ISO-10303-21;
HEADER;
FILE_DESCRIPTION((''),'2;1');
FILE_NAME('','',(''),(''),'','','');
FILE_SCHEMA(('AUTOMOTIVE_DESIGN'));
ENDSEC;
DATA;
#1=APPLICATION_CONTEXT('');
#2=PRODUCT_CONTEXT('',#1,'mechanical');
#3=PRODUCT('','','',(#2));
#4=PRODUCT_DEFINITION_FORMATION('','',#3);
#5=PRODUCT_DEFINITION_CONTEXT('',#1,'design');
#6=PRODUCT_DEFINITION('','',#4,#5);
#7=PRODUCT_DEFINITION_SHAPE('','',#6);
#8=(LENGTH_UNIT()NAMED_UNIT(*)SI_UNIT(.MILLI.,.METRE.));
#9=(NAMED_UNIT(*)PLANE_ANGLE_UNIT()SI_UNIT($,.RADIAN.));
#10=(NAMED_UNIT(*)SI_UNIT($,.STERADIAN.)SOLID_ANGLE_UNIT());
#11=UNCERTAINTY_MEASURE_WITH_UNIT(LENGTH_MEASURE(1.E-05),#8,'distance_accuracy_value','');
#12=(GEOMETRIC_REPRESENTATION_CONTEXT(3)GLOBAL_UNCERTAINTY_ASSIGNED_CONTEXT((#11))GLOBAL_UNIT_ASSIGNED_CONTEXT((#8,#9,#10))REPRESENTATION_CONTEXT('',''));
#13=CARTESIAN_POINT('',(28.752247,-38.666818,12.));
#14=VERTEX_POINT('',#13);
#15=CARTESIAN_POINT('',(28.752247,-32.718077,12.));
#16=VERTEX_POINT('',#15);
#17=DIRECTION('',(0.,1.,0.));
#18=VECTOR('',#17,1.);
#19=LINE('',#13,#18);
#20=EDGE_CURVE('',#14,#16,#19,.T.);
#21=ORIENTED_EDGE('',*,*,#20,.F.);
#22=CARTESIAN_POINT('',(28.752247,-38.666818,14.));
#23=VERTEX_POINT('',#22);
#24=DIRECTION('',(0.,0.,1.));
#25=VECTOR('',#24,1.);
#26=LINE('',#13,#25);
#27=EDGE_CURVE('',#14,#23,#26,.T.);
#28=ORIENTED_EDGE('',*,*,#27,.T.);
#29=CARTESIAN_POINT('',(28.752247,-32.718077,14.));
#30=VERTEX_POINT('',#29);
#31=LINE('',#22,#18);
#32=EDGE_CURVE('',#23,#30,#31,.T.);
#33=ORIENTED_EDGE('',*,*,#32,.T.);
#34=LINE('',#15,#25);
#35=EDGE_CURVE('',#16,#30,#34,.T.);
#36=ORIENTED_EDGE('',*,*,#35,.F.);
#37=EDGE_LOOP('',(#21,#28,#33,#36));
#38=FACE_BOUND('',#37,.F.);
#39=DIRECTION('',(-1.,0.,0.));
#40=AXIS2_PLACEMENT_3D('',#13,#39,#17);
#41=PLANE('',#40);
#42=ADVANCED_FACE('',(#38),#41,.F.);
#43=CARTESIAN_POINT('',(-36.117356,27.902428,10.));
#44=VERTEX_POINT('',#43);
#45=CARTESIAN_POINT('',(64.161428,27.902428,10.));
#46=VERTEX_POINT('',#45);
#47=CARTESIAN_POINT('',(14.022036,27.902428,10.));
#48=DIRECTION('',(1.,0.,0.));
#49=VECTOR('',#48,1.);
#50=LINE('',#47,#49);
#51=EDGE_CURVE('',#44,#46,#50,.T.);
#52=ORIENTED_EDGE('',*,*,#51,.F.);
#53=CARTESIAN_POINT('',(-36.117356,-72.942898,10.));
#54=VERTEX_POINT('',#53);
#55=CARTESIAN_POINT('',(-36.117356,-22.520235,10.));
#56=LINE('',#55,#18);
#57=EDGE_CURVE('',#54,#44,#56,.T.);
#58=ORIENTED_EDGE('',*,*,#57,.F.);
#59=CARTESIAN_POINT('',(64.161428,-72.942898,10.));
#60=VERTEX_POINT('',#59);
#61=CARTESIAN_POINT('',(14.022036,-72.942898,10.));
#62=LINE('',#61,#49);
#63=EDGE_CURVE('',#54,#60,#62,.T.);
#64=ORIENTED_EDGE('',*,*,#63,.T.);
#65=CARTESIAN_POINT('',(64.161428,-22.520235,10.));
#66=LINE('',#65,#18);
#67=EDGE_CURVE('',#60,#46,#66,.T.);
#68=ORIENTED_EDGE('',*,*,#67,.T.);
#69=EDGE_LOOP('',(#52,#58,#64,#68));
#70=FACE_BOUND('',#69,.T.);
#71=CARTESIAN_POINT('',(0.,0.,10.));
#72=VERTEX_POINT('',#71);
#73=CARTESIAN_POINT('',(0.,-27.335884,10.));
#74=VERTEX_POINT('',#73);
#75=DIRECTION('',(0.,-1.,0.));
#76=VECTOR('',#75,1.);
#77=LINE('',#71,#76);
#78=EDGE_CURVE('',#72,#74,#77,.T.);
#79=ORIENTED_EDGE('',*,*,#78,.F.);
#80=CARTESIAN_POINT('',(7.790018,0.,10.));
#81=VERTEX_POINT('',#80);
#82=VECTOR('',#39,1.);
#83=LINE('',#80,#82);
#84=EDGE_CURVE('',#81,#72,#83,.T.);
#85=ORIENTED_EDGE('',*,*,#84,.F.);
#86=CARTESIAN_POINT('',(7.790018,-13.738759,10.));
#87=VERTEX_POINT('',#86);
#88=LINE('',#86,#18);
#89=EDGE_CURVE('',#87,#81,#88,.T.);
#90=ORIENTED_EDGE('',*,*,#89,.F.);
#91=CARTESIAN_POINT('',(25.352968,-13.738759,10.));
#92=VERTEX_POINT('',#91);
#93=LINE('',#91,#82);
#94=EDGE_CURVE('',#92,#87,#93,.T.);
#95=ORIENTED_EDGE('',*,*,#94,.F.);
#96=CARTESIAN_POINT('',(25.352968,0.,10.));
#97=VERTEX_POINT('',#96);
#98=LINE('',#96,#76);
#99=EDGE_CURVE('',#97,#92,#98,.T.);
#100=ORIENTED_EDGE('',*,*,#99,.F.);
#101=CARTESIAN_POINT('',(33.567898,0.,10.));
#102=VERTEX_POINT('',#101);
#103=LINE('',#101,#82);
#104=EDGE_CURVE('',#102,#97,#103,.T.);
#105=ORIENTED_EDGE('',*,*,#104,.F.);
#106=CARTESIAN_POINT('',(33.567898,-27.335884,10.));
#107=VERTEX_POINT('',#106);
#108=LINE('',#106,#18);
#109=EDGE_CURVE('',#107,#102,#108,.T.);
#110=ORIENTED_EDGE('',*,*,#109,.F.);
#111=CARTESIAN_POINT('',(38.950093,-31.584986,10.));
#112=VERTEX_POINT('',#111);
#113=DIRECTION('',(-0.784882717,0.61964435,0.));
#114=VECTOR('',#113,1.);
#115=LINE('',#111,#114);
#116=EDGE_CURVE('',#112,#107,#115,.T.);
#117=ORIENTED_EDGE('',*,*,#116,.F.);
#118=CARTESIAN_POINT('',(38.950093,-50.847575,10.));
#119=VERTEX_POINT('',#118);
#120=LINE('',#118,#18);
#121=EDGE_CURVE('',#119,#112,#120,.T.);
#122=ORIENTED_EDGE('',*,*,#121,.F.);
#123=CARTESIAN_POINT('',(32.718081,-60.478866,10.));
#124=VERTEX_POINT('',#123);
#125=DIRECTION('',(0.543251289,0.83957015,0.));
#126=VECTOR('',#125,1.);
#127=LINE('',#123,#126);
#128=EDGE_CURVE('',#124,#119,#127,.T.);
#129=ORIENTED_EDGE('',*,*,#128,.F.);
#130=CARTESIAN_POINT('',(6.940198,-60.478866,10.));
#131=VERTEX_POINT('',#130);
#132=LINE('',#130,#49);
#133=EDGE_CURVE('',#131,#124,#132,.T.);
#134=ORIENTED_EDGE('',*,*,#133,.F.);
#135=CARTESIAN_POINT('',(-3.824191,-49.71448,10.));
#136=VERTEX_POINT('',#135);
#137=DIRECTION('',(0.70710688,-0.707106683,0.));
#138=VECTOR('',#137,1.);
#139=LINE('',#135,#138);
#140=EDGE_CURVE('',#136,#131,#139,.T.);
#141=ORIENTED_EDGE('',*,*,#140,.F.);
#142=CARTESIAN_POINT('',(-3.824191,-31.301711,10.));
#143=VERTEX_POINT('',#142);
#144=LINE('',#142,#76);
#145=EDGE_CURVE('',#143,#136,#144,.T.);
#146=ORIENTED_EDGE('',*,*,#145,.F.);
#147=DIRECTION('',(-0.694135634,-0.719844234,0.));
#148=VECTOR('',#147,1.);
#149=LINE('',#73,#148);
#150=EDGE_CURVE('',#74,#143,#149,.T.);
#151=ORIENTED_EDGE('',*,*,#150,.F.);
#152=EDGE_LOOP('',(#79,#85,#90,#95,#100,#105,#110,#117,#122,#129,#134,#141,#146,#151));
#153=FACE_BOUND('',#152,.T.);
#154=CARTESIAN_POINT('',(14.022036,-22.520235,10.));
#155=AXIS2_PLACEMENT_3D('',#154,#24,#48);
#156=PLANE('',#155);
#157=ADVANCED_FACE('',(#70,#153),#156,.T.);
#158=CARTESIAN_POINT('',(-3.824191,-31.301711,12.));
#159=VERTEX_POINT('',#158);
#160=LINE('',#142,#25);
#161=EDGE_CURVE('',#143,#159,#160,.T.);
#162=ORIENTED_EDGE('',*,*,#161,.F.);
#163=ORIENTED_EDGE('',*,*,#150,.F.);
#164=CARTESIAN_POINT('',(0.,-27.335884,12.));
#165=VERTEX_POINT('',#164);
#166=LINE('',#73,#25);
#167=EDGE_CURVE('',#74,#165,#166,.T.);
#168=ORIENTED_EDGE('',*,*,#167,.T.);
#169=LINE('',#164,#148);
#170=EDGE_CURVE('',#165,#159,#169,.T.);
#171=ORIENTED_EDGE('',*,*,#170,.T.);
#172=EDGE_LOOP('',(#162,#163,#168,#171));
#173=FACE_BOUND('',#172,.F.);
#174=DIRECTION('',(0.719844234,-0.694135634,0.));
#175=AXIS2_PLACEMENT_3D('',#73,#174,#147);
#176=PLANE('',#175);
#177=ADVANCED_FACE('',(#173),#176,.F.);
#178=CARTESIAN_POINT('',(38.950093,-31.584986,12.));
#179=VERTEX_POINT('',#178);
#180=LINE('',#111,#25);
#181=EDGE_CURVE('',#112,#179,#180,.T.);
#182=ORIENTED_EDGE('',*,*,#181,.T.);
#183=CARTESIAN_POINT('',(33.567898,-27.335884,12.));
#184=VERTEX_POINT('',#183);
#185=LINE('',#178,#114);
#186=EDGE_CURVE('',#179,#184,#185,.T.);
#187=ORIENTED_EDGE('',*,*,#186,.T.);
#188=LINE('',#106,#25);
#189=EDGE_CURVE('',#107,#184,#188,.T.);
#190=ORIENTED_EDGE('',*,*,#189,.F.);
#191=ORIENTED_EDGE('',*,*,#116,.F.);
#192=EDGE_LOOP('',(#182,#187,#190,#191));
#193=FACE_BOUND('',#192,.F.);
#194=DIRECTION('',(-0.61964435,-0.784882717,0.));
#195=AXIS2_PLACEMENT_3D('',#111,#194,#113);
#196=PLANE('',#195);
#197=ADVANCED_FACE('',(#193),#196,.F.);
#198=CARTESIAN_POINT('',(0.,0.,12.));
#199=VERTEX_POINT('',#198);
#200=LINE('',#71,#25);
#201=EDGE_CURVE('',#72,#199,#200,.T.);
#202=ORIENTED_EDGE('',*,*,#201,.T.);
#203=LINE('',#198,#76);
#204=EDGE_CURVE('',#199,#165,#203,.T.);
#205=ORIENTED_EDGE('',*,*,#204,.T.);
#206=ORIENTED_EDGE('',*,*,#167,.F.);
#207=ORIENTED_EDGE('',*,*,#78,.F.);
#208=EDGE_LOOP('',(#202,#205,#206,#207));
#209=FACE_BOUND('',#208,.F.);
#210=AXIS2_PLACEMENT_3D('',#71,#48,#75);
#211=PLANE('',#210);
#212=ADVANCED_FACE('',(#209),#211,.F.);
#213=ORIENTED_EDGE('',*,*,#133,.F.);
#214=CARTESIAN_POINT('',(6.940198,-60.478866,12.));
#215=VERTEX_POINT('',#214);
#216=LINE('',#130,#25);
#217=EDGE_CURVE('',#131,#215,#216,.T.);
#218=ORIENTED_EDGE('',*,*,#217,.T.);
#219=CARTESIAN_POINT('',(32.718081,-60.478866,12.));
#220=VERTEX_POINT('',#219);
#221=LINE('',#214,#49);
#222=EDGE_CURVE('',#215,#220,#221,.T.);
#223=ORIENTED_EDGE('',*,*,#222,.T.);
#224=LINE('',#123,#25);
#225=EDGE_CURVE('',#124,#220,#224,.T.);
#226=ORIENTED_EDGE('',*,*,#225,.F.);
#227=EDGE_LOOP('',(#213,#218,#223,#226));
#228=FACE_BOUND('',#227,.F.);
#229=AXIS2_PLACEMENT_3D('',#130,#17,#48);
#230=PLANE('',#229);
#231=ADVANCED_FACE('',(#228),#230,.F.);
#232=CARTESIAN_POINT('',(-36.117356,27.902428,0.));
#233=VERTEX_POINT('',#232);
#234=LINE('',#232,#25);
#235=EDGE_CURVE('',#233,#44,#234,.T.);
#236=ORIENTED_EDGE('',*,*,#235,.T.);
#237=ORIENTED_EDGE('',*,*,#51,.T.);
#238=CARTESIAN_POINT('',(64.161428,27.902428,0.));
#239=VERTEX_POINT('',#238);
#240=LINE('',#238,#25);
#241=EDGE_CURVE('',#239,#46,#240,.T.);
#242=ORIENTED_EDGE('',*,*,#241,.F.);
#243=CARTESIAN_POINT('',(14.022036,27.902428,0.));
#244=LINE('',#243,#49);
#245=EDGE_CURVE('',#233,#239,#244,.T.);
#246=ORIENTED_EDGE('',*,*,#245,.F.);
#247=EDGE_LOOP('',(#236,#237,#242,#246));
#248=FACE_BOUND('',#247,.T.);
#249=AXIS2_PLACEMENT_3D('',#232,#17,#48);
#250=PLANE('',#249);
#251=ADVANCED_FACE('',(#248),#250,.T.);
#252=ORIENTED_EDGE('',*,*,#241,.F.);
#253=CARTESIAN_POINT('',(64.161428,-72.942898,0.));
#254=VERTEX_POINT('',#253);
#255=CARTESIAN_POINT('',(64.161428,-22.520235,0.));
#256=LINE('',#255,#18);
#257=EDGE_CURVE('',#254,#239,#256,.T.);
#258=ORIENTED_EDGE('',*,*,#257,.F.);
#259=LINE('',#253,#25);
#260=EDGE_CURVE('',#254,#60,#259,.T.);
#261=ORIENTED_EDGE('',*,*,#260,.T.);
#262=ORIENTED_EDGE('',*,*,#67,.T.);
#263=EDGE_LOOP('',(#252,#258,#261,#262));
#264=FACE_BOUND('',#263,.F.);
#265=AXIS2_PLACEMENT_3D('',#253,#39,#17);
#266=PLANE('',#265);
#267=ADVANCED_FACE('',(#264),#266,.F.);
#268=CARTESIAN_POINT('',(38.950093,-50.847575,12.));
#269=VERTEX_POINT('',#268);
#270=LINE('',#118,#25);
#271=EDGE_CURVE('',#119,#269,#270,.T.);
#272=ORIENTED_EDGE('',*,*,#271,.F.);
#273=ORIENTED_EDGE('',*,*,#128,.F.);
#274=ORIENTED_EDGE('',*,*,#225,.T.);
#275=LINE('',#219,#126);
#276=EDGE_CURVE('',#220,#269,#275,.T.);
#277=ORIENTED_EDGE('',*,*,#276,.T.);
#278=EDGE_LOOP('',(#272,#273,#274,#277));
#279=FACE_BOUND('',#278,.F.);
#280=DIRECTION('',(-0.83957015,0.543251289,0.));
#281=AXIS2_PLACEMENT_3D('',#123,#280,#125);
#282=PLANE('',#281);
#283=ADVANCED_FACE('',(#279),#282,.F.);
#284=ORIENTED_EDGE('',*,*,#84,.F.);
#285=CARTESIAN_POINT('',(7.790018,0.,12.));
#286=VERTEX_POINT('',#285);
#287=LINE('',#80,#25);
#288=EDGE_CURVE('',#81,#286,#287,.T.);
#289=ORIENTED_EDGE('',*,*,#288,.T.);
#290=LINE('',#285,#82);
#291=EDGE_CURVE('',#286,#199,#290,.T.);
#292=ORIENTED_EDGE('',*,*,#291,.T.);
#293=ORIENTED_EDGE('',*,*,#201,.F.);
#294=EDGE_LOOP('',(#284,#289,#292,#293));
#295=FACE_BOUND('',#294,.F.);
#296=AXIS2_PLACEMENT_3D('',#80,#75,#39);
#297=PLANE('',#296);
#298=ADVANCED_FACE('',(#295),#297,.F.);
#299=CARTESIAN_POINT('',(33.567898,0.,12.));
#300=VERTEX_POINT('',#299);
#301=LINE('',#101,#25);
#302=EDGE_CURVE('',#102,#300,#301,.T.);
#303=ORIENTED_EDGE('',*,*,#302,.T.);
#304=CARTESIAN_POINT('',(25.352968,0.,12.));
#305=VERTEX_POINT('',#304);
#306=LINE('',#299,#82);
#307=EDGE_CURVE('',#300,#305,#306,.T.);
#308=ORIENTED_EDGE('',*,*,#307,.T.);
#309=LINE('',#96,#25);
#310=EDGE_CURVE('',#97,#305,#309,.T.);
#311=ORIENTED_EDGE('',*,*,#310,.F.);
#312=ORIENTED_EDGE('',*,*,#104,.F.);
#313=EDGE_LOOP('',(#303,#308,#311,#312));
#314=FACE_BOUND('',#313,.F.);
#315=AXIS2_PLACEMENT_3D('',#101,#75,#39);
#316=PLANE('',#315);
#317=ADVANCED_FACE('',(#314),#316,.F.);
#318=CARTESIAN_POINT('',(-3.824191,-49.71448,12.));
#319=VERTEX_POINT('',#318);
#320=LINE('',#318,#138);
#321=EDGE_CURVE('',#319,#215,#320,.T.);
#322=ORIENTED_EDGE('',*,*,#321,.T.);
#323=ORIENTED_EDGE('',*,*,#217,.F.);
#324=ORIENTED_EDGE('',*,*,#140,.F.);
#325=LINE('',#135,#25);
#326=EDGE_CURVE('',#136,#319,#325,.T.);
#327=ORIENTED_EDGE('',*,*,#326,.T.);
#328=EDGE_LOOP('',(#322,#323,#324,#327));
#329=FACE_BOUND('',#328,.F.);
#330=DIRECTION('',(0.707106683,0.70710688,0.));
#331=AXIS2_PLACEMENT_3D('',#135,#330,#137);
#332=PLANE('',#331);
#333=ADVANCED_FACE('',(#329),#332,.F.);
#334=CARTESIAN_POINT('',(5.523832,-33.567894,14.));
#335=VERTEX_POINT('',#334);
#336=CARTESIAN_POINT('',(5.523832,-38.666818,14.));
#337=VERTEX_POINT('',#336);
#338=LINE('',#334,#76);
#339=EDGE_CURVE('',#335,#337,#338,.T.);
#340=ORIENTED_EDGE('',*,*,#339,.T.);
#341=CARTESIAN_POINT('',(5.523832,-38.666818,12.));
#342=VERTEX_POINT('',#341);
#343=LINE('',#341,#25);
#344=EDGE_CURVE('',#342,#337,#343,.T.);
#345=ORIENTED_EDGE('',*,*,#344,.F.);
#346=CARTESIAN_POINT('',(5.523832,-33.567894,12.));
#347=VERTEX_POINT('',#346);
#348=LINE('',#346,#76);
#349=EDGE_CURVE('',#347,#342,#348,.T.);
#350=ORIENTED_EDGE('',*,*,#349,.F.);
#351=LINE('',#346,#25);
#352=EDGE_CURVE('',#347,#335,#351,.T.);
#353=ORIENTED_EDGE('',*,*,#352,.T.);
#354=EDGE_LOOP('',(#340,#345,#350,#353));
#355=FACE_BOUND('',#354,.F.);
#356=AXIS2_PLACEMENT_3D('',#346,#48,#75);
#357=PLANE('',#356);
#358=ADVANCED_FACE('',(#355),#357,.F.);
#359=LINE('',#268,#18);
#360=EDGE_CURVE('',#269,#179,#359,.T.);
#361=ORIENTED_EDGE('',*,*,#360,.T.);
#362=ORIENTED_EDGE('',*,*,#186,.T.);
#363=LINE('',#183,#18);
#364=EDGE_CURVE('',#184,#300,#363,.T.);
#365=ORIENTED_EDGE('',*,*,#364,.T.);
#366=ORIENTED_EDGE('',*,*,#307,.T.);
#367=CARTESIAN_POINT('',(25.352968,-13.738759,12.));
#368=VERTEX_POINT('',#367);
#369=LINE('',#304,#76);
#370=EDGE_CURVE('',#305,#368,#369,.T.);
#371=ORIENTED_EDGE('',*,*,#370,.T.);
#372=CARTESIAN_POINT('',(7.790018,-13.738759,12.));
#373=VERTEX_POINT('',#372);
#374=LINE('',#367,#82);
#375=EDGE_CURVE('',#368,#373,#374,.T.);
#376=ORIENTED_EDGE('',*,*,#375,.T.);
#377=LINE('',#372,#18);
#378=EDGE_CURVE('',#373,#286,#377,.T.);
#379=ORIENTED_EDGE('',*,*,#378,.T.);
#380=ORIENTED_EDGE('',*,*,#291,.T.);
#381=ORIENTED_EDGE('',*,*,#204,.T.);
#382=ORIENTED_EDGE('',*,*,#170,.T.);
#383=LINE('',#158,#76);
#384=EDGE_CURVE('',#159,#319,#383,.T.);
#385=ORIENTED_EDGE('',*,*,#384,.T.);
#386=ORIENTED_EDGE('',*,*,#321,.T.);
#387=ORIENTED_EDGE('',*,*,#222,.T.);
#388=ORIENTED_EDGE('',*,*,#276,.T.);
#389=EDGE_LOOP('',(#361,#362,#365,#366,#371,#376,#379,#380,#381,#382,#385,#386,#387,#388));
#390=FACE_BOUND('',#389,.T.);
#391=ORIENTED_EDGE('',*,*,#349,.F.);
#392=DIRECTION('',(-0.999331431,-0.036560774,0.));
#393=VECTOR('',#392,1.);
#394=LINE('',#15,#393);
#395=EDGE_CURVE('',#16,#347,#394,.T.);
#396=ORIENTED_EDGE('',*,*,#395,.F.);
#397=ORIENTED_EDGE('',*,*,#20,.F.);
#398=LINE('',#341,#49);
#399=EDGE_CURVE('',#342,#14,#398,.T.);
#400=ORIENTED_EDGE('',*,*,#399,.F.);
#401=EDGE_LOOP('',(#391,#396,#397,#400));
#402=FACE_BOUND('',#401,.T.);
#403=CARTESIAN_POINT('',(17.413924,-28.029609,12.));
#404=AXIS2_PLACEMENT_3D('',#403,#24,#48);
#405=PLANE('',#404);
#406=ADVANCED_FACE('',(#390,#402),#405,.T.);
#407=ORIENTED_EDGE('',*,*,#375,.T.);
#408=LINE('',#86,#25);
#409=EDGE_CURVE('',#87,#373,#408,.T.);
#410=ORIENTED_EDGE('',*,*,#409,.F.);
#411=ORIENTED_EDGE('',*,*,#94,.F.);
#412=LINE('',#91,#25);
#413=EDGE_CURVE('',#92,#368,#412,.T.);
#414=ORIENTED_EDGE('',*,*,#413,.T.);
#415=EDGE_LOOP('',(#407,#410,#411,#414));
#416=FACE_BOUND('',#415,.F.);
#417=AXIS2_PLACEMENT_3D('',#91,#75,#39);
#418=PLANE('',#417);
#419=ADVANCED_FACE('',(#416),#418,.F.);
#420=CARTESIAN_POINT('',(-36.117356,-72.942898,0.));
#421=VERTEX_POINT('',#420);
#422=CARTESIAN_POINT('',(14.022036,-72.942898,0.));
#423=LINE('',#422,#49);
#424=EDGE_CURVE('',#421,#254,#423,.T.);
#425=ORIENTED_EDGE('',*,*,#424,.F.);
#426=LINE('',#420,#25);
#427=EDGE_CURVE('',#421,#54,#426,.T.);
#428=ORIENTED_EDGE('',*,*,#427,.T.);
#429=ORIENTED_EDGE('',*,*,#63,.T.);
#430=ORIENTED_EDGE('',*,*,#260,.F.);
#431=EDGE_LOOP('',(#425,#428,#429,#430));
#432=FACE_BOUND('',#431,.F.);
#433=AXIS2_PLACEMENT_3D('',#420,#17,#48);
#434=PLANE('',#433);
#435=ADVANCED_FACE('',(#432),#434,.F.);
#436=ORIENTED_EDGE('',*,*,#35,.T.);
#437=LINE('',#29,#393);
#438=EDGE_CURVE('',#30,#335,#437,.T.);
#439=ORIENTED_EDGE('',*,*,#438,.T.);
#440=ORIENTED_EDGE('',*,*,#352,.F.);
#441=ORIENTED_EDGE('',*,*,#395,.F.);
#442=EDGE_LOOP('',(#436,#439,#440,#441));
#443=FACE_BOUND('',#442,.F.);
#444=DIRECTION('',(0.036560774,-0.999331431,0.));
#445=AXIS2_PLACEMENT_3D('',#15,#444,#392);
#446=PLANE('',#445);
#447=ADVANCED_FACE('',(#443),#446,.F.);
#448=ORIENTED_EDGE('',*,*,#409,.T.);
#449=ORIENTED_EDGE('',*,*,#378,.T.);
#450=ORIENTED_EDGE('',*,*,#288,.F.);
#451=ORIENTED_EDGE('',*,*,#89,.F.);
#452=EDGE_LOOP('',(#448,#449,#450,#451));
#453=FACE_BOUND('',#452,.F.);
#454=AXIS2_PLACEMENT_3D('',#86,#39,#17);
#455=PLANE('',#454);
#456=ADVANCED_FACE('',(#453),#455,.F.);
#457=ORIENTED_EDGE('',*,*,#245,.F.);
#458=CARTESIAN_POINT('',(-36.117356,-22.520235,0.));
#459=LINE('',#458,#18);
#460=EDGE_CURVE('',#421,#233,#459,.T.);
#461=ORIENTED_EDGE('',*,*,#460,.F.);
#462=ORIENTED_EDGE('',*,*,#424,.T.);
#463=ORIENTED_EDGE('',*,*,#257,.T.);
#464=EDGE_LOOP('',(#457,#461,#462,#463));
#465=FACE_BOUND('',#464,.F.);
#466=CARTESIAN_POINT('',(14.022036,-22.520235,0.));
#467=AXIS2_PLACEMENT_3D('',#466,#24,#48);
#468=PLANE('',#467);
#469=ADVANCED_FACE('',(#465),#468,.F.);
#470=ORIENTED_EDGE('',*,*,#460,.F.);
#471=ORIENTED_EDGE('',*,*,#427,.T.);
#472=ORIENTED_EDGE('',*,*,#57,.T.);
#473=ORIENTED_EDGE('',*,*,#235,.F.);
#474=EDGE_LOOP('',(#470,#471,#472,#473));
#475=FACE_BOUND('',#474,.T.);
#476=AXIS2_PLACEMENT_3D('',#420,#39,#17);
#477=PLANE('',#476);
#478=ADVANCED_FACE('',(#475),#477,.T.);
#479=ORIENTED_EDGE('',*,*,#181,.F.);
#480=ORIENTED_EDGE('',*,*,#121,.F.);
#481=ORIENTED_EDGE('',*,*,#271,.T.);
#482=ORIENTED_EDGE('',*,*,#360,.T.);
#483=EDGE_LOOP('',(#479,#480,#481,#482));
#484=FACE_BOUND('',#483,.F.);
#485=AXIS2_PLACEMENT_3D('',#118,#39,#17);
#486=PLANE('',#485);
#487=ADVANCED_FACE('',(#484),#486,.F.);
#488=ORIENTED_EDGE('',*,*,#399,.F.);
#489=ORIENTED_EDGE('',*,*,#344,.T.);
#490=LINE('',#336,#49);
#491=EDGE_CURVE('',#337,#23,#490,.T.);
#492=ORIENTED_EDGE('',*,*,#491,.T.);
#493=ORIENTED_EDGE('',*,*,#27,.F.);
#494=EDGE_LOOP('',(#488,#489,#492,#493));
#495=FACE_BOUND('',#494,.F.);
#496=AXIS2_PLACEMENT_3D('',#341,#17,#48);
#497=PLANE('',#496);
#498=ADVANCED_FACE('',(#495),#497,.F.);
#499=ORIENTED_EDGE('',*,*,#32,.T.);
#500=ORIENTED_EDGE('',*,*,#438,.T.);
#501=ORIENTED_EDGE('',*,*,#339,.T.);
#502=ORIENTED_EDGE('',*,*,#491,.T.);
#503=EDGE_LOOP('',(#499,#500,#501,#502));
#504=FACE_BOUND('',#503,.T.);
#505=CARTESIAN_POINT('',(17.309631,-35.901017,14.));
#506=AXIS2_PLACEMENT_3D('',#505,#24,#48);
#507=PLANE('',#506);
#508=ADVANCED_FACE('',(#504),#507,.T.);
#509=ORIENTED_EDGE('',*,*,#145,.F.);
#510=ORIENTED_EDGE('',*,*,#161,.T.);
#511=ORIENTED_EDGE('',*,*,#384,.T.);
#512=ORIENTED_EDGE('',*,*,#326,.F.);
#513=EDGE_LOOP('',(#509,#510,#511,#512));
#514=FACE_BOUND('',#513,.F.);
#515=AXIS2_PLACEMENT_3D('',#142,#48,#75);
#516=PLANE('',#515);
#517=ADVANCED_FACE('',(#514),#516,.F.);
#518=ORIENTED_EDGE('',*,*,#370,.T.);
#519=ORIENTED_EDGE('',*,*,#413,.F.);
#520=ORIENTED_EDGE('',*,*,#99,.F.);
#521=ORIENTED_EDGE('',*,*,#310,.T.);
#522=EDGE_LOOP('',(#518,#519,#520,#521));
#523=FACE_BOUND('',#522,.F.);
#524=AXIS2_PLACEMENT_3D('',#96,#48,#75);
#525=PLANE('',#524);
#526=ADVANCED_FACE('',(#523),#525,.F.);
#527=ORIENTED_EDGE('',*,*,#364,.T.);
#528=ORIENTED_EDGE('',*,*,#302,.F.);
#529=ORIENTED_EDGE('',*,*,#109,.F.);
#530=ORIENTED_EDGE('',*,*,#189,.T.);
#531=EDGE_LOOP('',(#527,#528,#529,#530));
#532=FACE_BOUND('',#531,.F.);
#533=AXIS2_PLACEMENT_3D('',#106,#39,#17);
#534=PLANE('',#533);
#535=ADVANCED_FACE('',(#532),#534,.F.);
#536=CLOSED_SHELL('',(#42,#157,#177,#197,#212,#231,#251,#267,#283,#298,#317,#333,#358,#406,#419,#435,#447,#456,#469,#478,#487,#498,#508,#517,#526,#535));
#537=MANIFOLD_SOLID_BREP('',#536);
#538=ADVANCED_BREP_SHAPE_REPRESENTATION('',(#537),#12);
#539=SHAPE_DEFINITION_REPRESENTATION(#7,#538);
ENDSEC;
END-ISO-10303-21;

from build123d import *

# Parameters (mm, degrees)
F0_W     = 100.278783
F0_H     = 100.845326
F1_DEPTH = 10
F3_DEPTH = 2
F4_W     = 20.395683
F4_H     = 3.682554
F5_DEPTH = 2
F7_DEPTH = 2


with BuildPart() as f1:
    # F0 (on Top) → F1 (new body)
    with BuildSketch(Plane.XY):
        with Locations((14.022036, -22.520235)):
            Rectangle(F0_W, F0_H)
    extrude(amount=F1_DEPTH)

    # F2 (on face) → F3 (join)
    with BuildSketch(Plane.XY.offset(10)):
        Polygon((7.790018, 0), (0, 0), (0, -27.335884), (-3.824191, -31.301711), (-3.824191, -49.71448), (6.940198, -60.478866), (32.718081, -60.478866), (38.950093, -50.847575), (38.950093, -31.584986), (33.567898, -27.335884), (33.567898, 0), (25.352968, 0), (25.352968, -13.738759), (7.790018, -13.738759), align=None)
    extrude(amount=F3_DEPTH)

    # F4 (on face) → F5 (join)
    with BuildSketch(Plane.XY.offset(12)):
        with Locations((17.987859, -37.675362)):
            Rectangle(F4_W, F4_H)
    extrude(amount=-F5_DEPTH)

    # F6 (on face) → F7 (join)
    with BuildSketch(Plane.XY.offset(12)):
        Polygon((28.752247, -32.718077), (5.523832, -33.567894), (5.523832, -38.666818), (28.752247, -38.666818), align=None)
    extrude(amount=F7_DEPTH)


solid = f1.part
